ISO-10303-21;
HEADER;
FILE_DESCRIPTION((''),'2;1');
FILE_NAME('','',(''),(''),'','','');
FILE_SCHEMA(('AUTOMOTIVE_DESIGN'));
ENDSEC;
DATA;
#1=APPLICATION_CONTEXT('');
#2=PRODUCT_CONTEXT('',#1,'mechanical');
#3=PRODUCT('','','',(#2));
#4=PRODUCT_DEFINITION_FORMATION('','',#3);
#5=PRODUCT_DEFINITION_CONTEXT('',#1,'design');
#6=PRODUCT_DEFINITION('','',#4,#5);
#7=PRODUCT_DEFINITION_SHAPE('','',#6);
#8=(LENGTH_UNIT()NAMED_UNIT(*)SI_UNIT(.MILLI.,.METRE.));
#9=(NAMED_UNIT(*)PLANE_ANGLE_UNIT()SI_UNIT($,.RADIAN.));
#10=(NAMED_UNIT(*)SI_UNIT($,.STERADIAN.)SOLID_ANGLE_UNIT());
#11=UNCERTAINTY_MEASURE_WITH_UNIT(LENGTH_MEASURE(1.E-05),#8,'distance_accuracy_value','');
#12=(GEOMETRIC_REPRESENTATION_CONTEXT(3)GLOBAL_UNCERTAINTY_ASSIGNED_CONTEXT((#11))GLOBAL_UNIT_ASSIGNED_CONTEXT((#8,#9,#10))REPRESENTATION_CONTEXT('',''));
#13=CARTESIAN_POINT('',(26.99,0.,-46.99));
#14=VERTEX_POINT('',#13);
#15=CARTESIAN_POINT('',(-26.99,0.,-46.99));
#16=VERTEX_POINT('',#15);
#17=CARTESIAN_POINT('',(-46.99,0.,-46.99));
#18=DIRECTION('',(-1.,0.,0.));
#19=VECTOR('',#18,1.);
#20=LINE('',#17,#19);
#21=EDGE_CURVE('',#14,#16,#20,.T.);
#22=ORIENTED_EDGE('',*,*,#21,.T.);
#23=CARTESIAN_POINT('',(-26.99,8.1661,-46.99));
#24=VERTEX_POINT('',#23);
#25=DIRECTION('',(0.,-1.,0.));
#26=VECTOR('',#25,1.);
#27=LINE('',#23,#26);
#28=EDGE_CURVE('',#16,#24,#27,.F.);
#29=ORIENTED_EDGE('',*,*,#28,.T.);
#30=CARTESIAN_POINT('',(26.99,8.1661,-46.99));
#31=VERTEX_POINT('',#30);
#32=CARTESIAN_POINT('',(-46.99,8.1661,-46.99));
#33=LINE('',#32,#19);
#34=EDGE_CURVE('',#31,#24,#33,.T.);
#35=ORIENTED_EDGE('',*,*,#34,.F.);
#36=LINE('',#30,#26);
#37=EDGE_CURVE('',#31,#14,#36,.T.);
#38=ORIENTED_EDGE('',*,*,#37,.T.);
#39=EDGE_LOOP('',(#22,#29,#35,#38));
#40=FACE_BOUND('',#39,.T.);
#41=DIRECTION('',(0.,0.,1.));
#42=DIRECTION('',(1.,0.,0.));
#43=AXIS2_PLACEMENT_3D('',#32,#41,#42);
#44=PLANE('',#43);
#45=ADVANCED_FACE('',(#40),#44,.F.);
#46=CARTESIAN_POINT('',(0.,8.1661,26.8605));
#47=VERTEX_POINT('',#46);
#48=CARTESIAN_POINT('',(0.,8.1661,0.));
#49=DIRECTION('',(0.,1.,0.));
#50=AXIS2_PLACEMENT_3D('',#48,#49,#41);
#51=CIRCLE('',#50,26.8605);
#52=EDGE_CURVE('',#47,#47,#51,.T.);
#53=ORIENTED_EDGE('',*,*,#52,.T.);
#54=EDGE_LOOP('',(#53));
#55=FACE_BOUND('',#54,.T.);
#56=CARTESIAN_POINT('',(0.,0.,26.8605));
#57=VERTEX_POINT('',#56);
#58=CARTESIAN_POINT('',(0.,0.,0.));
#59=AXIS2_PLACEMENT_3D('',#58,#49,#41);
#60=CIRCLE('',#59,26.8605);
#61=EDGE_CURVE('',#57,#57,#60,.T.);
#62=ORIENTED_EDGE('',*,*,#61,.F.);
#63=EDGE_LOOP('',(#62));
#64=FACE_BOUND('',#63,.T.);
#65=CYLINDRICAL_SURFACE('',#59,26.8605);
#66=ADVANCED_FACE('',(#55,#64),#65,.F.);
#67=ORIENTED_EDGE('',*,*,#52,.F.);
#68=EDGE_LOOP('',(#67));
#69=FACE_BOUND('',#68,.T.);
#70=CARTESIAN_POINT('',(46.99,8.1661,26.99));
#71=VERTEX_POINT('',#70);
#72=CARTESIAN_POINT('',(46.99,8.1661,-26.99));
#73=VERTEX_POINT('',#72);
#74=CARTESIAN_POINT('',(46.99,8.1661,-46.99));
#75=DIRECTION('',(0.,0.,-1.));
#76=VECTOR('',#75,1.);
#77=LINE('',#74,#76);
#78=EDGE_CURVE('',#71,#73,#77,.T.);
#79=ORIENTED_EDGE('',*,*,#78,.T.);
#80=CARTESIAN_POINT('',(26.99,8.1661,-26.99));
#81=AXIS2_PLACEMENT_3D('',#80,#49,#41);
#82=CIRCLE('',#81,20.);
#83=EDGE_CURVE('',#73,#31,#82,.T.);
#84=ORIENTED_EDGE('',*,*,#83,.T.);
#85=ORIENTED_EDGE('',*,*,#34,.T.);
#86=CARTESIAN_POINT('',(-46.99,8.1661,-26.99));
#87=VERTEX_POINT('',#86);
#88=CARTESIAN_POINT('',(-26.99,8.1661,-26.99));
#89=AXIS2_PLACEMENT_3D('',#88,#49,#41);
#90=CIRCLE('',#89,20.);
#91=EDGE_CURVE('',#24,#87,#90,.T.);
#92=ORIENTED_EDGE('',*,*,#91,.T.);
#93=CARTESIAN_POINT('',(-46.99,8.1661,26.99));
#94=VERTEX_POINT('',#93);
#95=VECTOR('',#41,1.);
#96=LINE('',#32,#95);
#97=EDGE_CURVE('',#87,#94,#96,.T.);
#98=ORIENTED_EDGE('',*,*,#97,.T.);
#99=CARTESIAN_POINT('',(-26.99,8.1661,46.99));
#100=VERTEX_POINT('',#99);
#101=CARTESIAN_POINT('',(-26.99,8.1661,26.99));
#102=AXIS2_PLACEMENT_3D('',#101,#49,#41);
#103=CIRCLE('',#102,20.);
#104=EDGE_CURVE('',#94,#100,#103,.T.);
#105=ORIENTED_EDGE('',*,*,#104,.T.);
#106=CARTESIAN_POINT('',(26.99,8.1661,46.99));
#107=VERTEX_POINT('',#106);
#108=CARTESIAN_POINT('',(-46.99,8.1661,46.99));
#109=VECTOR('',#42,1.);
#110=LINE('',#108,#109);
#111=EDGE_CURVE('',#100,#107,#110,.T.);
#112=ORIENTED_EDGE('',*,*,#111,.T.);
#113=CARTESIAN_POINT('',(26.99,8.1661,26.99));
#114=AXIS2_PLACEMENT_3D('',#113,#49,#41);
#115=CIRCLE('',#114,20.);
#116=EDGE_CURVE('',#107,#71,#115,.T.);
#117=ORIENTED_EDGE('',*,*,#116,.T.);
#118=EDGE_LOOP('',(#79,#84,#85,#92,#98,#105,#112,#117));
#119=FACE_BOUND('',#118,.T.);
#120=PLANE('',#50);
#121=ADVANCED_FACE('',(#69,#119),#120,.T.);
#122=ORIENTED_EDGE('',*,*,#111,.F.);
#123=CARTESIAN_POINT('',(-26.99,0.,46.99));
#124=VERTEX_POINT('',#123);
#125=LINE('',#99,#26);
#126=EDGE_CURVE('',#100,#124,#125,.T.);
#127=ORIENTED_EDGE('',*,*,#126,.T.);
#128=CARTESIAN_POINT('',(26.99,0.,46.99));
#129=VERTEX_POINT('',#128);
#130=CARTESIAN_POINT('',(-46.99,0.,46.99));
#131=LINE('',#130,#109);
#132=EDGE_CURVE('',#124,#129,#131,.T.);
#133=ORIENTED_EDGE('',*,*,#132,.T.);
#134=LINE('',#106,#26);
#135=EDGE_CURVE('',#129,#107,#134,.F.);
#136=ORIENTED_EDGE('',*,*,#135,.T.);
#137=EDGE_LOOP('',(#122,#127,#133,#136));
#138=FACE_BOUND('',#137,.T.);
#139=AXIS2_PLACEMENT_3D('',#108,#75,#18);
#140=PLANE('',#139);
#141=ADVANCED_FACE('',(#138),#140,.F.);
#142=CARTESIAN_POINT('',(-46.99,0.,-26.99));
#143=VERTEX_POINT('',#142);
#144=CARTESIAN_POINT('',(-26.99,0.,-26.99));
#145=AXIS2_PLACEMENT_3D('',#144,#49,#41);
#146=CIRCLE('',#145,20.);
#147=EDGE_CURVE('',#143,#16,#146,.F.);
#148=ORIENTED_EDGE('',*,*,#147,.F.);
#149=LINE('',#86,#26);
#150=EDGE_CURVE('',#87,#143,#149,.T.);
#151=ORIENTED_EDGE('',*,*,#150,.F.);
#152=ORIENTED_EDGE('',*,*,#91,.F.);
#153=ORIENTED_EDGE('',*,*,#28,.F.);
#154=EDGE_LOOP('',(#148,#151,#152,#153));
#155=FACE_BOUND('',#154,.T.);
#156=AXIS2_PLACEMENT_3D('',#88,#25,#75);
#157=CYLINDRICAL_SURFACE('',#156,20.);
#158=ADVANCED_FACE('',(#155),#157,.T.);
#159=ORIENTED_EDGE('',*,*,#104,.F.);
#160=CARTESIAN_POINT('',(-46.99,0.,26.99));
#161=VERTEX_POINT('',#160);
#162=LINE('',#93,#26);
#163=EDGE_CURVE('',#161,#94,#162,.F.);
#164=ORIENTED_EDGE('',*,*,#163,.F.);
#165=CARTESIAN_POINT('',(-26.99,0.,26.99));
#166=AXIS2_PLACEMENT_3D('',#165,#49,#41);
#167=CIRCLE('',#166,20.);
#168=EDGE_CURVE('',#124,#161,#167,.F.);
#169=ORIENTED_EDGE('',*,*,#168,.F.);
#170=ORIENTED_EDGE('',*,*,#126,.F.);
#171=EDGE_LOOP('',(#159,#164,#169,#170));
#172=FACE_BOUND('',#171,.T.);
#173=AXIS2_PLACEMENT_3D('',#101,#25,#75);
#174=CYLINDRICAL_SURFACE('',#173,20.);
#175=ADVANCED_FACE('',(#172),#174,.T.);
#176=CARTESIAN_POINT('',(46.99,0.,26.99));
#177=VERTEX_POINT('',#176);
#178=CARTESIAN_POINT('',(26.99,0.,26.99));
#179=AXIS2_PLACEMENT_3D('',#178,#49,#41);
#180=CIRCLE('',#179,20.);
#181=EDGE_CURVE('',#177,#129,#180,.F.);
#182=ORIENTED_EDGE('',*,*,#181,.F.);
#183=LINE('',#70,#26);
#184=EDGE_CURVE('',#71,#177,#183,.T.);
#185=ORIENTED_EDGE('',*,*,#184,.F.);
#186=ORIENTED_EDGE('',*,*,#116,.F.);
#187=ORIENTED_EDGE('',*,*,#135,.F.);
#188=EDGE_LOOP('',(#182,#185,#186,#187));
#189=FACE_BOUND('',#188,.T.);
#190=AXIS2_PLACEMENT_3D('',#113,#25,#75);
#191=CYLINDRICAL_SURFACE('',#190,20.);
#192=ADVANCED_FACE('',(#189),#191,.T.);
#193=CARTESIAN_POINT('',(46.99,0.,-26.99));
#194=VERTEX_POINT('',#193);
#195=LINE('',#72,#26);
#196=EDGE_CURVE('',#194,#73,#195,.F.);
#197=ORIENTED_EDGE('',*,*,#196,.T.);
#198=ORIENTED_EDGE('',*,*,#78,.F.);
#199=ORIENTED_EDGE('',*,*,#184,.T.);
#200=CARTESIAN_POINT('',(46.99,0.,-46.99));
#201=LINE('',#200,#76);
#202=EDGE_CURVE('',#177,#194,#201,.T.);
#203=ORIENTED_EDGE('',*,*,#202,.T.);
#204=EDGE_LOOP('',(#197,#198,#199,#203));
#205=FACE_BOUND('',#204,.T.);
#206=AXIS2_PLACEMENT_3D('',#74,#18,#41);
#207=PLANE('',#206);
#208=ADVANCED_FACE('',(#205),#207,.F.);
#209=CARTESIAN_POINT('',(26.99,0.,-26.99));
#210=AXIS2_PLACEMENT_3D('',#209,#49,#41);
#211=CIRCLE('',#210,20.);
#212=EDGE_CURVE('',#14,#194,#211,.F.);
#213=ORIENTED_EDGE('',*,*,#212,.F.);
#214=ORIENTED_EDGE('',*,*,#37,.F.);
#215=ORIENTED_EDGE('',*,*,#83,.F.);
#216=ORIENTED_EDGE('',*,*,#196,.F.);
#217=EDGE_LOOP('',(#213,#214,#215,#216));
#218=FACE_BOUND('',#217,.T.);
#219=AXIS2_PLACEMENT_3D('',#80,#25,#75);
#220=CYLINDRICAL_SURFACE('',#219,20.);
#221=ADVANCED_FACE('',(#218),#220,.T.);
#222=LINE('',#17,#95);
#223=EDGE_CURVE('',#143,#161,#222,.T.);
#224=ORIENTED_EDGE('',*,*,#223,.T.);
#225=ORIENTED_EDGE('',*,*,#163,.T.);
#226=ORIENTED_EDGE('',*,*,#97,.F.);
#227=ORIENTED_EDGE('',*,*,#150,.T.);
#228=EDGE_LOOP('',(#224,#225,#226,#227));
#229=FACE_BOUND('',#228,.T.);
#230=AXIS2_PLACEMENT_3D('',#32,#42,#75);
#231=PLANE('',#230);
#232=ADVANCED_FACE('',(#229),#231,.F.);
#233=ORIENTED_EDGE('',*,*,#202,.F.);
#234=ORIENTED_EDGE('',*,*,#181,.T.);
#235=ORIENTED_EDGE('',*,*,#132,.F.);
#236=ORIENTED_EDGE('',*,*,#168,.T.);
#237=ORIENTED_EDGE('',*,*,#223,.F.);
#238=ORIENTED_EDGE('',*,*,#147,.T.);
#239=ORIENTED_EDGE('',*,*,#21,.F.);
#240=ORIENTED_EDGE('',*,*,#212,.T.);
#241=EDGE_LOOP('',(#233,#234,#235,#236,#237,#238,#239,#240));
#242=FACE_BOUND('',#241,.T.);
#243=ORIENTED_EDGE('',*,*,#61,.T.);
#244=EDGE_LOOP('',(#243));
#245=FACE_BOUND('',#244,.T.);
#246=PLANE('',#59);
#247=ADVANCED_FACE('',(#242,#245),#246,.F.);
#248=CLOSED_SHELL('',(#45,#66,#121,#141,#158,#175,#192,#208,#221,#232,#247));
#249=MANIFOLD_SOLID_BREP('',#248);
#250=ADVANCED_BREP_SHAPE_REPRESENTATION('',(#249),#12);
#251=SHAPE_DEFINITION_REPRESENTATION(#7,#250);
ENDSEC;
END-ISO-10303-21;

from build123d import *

# Parameters (mm, degrees)
CROQUIS1_W              = 93.98
CROQUIS1_H              = 93.98
SALIENTE_EXTRUIR1_DEPTH = 8.1661
CROQUIS2_R              = 26.8605
CORTAR_EXTRUIR1_DEPTH   = 8.1661
REDONDEO1_R             = 20


with BuildPart() as part:
    # Croquis1 → Saliente-Extruir1 (new body)
    with BuildSketch(Plane(origin=(0, 0, 0), x_dir=(1, 0, 0), z_dir=(0, 1, 0))):
        Rectangle(CROQUIS1_W, CROQUIS1_H)
    extrude(amount=SALIENTE_EXTRUIR1_DEPTH)

    # Croquis2 → Cortar-Extruir1 (cut)
    with BuildSketch(Plane(origin=(0, 8.1661, 0), x_dir=(1, 0, 0), z_dir=(0, 1, 0))):
        Circle(CROQUIS2_R)
    extrude(amount=-CORTAR_EXTRUIR1_DEPTH, mode=Mode.SUBTRACT)

    # Redondeo1
    redondeo1_edges = [part.edges().sort_by_distance(p)[0] for p in [
        (46.99, 4.08305, 46.99),
        (-46.99, 4.08305, 46.99),
        (-46.99, 4.08305, -46.99),
        (46.99, 4.08305, -46.99),
    ]]
    fillet(redondeo1_edges, radius=REDONDEO1_R)


solid = part.part
